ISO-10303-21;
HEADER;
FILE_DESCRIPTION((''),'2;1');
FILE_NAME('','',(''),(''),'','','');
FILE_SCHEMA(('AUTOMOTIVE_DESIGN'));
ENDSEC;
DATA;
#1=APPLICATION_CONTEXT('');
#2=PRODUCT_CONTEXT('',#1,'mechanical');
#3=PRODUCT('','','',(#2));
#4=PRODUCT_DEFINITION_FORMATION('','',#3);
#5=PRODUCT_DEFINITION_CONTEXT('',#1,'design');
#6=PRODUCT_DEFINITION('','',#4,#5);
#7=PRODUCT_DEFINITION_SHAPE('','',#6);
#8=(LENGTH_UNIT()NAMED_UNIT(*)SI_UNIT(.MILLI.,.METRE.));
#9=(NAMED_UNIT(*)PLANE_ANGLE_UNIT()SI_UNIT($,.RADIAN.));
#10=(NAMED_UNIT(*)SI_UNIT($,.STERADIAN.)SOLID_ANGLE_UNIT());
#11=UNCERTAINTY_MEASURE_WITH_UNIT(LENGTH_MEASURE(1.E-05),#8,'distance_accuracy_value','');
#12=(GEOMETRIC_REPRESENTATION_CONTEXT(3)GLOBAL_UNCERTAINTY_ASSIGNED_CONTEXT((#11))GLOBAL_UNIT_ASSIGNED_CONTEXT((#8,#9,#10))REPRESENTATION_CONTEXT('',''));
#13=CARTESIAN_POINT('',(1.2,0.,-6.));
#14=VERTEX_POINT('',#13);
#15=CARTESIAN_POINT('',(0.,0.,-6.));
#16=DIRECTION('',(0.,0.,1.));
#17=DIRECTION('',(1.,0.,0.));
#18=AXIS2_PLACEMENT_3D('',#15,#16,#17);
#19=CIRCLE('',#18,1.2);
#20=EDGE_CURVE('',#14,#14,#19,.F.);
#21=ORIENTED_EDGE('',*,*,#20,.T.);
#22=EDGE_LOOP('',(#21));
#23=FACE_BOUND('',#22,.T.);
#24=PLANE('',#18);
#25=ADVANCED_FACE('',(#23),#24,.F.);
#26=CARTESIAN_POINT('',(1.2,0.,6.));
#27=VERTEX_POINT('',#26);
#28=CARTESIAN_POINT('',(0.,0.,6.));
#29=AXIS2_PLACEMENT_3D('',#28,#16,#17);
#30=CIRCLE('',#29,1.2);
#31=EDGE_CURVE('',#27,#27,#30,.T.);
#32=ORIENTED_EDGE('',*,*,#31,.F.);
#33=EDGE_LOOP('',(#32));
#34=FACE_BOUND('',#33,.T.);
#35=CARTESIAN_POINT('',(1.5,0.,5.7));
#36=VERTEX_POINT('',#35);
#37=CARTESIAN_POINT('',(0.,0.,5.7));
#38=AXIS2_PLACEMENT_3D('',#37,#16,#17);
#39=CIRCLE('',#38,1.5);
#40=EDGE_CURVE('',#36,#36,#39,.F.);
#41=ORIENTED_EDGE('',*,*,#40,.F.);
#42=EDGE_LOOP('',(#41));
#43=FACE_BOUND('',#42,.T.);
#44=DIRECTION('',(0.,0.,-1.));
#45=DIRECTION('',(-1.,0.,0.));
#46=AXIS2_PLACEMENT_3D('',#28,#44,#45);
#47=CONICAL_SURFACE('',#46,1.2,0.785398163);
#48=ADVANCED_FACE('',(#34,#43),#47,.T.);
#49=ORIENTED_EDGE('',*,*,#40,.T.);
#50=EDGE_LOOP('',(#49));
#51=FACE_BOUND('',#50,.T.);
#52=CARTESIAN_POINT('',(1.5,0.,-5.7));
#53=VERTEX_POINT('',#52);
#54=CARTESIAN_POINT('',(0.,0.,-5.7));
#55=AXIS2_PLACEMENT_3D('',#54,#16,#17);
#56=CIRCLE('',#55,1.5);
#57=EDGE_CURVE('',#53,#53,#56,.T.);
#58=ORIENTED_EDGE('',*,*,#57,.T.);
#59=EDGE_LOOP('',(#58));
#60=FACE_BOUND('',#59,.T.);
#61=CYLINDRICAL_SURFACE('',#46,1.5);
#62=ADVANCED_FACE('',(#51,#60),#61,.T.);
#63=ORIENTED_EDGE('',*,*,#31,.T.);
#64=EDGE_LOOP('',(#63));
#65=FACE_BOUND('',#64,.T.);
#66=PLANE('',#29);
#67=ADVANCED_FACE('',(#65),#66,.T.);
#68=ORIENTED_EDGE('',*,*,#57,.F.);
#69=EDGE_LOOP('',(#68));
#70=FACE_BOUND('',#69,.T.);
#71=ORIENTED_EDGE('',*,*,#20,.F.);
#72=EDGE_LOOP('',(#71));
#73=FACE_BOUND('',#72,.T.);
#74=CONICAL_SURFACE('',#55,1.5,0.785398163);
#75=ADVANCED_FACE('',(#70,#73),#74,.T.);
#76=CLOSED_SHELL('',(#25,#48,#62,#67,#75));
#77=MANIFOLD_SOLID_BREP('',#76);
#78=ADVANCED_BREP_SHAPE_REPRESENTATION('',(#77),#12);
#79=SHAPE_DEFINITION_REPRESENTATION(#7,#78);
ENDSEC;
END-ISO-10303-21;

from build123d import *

# Parameters (mm, degrees)
SKETCH1_R           = 1.5
BOSS_EXTRUDE1_DEPTH = 6
CHAMFER1_SIZE       = 0.3


with BuildPart() as part:
    # Sketch1 → Boss-Extrude1 (new body, symmetric)
    with BuildSketch(Plane.XY):
        Circle(SKETCH1_R)
    extrude(amount=BOSS_EXTRUDE1_DEPTH, both=True)

    # Chamfer1
    chamfer1_edges = [part.edges().sort_by_distance(p)[0] for p in [
        (-1.5, 0, -6),
        (-1.5, 0, 6),
    ]]
    chamfer(chamfer1_edges, length=CHAMFER1_SIZE)


solid = part.part
